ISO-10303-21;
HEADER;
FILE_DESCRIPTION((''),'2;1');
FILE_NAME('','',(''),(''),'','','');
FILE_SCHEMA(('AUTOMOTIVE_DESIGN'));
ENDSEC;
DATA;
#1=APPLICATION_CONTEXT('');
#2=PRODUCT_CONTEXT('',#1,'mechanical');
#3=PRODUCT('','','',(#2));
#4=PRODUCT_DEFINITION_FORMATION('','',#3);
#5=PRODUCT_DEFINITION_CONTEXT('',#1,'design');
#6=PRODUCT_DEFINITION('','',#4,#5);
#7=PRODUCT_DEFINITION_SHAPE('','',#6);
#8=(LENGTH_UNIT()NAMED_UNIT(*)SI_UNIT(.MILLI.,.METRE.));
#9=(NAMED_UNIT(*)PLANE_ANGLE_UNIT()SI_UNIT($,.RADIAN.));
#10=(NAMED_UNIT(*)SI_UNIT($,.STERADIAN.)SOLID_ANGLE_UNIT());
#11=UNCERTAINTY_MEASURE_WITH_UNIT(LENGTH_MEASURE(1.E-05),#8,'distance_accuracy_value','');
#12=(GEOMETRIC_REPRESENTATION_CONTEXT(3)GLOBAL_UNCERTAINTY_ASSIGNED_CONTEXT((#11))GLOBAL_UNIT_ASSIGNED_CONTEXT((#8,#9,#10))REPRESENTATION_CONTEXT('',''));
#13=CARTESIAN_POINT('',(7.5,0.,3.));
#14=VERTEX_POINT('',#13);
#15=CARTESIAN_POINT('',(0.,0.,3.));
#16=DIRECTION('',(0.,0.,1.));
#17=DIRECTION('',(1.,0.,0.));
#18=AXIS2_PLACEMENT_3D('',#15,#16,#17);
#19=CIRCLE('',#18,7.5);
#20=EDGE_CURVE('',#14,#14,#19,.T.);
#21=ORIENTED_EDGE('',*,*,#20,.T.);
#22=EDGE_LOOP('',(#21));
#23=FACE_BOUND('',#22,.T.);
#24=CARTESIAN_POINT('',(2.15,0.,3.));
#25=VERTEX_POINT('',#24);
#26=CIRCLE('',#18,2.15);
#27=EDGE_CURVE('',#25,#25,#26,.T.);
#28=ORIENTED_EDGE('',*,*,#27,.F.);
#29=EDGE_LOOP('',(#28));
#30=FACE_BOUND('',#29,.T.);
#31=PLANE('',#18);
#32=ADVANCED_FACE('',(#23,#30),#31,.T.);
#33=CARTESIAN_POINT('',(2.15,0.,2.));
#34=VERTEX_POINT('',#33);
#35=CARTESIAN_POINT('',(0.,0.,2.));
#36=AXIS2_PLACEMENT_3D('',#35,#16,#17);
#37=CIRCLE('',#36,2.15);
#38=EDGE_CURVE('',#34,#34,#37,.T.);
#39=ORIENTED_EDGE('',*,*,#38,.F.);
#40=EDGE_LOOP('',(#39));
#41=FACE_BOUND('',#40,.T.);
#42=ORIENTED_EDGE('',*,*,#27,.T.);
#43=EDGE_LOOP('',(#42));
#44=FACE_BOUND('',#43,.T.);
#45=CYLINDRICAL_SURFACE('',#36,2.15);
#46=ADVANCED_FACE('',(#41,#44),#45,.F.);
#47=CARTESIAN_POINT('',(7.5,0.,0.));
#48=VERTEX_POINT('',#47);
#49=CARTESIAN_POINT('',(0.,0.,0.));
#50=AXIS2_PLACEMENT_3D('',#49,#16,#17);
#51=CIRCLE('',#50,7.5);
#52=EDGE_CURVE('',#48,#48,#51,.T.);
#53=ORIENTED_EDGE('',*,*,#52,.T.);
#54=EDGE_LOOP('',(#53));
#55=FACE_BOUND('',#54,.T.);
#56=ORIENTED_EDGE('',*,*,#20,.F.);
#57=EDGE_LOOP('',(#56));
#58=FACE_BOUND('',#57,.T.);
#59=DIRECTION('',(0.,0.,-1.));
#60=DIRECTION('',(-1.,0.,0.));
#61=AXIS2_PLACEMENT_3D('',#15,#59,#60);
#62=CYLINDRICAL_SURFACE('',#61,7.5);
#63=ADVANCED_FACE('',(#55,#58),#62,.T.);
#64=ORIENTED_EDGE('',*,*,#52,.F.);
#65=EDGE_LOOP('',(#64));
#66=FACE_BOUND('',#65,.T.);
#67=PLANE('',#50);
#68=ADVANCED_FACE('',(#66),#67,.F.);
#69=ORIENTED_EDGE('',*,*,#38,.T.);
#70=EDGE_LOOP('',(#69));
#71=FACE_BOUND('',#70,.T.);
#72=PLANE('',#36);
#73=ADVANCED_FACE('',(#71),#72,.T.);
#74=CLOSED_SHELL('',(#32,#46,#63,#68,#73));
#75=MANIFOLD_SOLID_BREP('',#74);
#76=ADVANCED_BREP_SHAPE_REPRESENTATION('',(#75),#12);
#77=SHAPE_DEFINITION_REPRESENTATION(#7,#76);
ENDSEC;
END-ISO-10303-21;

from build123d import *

# Parameters (mm, degrees)
SKETCH1_R           = 7.5
BOSS_EXTRUDE1_DEPTH = 3
SKETCH2_R           = 2.15
CUT_EXTRUDE1_DEPTH  = 1


with BuildPart() as part:
    # Sketch1 → Boss-Extrude1 (new body)
    with BuildSketch(Plane.XY):
        Circle(SKETCH1_R)
    extrude(amount=BOSS_EXTRUDE1_DEPTH)

    # Sketch2 → Cut-Extrude1 (cut)
    with BuildSketch(Plane.XY.offset(3)):
        Circle(SKETCH2_R)
    extrude(amount=-CUT_EXTRUDE1_DEPTH, mode=Mode.SUBTRACT)


solid = part.part
